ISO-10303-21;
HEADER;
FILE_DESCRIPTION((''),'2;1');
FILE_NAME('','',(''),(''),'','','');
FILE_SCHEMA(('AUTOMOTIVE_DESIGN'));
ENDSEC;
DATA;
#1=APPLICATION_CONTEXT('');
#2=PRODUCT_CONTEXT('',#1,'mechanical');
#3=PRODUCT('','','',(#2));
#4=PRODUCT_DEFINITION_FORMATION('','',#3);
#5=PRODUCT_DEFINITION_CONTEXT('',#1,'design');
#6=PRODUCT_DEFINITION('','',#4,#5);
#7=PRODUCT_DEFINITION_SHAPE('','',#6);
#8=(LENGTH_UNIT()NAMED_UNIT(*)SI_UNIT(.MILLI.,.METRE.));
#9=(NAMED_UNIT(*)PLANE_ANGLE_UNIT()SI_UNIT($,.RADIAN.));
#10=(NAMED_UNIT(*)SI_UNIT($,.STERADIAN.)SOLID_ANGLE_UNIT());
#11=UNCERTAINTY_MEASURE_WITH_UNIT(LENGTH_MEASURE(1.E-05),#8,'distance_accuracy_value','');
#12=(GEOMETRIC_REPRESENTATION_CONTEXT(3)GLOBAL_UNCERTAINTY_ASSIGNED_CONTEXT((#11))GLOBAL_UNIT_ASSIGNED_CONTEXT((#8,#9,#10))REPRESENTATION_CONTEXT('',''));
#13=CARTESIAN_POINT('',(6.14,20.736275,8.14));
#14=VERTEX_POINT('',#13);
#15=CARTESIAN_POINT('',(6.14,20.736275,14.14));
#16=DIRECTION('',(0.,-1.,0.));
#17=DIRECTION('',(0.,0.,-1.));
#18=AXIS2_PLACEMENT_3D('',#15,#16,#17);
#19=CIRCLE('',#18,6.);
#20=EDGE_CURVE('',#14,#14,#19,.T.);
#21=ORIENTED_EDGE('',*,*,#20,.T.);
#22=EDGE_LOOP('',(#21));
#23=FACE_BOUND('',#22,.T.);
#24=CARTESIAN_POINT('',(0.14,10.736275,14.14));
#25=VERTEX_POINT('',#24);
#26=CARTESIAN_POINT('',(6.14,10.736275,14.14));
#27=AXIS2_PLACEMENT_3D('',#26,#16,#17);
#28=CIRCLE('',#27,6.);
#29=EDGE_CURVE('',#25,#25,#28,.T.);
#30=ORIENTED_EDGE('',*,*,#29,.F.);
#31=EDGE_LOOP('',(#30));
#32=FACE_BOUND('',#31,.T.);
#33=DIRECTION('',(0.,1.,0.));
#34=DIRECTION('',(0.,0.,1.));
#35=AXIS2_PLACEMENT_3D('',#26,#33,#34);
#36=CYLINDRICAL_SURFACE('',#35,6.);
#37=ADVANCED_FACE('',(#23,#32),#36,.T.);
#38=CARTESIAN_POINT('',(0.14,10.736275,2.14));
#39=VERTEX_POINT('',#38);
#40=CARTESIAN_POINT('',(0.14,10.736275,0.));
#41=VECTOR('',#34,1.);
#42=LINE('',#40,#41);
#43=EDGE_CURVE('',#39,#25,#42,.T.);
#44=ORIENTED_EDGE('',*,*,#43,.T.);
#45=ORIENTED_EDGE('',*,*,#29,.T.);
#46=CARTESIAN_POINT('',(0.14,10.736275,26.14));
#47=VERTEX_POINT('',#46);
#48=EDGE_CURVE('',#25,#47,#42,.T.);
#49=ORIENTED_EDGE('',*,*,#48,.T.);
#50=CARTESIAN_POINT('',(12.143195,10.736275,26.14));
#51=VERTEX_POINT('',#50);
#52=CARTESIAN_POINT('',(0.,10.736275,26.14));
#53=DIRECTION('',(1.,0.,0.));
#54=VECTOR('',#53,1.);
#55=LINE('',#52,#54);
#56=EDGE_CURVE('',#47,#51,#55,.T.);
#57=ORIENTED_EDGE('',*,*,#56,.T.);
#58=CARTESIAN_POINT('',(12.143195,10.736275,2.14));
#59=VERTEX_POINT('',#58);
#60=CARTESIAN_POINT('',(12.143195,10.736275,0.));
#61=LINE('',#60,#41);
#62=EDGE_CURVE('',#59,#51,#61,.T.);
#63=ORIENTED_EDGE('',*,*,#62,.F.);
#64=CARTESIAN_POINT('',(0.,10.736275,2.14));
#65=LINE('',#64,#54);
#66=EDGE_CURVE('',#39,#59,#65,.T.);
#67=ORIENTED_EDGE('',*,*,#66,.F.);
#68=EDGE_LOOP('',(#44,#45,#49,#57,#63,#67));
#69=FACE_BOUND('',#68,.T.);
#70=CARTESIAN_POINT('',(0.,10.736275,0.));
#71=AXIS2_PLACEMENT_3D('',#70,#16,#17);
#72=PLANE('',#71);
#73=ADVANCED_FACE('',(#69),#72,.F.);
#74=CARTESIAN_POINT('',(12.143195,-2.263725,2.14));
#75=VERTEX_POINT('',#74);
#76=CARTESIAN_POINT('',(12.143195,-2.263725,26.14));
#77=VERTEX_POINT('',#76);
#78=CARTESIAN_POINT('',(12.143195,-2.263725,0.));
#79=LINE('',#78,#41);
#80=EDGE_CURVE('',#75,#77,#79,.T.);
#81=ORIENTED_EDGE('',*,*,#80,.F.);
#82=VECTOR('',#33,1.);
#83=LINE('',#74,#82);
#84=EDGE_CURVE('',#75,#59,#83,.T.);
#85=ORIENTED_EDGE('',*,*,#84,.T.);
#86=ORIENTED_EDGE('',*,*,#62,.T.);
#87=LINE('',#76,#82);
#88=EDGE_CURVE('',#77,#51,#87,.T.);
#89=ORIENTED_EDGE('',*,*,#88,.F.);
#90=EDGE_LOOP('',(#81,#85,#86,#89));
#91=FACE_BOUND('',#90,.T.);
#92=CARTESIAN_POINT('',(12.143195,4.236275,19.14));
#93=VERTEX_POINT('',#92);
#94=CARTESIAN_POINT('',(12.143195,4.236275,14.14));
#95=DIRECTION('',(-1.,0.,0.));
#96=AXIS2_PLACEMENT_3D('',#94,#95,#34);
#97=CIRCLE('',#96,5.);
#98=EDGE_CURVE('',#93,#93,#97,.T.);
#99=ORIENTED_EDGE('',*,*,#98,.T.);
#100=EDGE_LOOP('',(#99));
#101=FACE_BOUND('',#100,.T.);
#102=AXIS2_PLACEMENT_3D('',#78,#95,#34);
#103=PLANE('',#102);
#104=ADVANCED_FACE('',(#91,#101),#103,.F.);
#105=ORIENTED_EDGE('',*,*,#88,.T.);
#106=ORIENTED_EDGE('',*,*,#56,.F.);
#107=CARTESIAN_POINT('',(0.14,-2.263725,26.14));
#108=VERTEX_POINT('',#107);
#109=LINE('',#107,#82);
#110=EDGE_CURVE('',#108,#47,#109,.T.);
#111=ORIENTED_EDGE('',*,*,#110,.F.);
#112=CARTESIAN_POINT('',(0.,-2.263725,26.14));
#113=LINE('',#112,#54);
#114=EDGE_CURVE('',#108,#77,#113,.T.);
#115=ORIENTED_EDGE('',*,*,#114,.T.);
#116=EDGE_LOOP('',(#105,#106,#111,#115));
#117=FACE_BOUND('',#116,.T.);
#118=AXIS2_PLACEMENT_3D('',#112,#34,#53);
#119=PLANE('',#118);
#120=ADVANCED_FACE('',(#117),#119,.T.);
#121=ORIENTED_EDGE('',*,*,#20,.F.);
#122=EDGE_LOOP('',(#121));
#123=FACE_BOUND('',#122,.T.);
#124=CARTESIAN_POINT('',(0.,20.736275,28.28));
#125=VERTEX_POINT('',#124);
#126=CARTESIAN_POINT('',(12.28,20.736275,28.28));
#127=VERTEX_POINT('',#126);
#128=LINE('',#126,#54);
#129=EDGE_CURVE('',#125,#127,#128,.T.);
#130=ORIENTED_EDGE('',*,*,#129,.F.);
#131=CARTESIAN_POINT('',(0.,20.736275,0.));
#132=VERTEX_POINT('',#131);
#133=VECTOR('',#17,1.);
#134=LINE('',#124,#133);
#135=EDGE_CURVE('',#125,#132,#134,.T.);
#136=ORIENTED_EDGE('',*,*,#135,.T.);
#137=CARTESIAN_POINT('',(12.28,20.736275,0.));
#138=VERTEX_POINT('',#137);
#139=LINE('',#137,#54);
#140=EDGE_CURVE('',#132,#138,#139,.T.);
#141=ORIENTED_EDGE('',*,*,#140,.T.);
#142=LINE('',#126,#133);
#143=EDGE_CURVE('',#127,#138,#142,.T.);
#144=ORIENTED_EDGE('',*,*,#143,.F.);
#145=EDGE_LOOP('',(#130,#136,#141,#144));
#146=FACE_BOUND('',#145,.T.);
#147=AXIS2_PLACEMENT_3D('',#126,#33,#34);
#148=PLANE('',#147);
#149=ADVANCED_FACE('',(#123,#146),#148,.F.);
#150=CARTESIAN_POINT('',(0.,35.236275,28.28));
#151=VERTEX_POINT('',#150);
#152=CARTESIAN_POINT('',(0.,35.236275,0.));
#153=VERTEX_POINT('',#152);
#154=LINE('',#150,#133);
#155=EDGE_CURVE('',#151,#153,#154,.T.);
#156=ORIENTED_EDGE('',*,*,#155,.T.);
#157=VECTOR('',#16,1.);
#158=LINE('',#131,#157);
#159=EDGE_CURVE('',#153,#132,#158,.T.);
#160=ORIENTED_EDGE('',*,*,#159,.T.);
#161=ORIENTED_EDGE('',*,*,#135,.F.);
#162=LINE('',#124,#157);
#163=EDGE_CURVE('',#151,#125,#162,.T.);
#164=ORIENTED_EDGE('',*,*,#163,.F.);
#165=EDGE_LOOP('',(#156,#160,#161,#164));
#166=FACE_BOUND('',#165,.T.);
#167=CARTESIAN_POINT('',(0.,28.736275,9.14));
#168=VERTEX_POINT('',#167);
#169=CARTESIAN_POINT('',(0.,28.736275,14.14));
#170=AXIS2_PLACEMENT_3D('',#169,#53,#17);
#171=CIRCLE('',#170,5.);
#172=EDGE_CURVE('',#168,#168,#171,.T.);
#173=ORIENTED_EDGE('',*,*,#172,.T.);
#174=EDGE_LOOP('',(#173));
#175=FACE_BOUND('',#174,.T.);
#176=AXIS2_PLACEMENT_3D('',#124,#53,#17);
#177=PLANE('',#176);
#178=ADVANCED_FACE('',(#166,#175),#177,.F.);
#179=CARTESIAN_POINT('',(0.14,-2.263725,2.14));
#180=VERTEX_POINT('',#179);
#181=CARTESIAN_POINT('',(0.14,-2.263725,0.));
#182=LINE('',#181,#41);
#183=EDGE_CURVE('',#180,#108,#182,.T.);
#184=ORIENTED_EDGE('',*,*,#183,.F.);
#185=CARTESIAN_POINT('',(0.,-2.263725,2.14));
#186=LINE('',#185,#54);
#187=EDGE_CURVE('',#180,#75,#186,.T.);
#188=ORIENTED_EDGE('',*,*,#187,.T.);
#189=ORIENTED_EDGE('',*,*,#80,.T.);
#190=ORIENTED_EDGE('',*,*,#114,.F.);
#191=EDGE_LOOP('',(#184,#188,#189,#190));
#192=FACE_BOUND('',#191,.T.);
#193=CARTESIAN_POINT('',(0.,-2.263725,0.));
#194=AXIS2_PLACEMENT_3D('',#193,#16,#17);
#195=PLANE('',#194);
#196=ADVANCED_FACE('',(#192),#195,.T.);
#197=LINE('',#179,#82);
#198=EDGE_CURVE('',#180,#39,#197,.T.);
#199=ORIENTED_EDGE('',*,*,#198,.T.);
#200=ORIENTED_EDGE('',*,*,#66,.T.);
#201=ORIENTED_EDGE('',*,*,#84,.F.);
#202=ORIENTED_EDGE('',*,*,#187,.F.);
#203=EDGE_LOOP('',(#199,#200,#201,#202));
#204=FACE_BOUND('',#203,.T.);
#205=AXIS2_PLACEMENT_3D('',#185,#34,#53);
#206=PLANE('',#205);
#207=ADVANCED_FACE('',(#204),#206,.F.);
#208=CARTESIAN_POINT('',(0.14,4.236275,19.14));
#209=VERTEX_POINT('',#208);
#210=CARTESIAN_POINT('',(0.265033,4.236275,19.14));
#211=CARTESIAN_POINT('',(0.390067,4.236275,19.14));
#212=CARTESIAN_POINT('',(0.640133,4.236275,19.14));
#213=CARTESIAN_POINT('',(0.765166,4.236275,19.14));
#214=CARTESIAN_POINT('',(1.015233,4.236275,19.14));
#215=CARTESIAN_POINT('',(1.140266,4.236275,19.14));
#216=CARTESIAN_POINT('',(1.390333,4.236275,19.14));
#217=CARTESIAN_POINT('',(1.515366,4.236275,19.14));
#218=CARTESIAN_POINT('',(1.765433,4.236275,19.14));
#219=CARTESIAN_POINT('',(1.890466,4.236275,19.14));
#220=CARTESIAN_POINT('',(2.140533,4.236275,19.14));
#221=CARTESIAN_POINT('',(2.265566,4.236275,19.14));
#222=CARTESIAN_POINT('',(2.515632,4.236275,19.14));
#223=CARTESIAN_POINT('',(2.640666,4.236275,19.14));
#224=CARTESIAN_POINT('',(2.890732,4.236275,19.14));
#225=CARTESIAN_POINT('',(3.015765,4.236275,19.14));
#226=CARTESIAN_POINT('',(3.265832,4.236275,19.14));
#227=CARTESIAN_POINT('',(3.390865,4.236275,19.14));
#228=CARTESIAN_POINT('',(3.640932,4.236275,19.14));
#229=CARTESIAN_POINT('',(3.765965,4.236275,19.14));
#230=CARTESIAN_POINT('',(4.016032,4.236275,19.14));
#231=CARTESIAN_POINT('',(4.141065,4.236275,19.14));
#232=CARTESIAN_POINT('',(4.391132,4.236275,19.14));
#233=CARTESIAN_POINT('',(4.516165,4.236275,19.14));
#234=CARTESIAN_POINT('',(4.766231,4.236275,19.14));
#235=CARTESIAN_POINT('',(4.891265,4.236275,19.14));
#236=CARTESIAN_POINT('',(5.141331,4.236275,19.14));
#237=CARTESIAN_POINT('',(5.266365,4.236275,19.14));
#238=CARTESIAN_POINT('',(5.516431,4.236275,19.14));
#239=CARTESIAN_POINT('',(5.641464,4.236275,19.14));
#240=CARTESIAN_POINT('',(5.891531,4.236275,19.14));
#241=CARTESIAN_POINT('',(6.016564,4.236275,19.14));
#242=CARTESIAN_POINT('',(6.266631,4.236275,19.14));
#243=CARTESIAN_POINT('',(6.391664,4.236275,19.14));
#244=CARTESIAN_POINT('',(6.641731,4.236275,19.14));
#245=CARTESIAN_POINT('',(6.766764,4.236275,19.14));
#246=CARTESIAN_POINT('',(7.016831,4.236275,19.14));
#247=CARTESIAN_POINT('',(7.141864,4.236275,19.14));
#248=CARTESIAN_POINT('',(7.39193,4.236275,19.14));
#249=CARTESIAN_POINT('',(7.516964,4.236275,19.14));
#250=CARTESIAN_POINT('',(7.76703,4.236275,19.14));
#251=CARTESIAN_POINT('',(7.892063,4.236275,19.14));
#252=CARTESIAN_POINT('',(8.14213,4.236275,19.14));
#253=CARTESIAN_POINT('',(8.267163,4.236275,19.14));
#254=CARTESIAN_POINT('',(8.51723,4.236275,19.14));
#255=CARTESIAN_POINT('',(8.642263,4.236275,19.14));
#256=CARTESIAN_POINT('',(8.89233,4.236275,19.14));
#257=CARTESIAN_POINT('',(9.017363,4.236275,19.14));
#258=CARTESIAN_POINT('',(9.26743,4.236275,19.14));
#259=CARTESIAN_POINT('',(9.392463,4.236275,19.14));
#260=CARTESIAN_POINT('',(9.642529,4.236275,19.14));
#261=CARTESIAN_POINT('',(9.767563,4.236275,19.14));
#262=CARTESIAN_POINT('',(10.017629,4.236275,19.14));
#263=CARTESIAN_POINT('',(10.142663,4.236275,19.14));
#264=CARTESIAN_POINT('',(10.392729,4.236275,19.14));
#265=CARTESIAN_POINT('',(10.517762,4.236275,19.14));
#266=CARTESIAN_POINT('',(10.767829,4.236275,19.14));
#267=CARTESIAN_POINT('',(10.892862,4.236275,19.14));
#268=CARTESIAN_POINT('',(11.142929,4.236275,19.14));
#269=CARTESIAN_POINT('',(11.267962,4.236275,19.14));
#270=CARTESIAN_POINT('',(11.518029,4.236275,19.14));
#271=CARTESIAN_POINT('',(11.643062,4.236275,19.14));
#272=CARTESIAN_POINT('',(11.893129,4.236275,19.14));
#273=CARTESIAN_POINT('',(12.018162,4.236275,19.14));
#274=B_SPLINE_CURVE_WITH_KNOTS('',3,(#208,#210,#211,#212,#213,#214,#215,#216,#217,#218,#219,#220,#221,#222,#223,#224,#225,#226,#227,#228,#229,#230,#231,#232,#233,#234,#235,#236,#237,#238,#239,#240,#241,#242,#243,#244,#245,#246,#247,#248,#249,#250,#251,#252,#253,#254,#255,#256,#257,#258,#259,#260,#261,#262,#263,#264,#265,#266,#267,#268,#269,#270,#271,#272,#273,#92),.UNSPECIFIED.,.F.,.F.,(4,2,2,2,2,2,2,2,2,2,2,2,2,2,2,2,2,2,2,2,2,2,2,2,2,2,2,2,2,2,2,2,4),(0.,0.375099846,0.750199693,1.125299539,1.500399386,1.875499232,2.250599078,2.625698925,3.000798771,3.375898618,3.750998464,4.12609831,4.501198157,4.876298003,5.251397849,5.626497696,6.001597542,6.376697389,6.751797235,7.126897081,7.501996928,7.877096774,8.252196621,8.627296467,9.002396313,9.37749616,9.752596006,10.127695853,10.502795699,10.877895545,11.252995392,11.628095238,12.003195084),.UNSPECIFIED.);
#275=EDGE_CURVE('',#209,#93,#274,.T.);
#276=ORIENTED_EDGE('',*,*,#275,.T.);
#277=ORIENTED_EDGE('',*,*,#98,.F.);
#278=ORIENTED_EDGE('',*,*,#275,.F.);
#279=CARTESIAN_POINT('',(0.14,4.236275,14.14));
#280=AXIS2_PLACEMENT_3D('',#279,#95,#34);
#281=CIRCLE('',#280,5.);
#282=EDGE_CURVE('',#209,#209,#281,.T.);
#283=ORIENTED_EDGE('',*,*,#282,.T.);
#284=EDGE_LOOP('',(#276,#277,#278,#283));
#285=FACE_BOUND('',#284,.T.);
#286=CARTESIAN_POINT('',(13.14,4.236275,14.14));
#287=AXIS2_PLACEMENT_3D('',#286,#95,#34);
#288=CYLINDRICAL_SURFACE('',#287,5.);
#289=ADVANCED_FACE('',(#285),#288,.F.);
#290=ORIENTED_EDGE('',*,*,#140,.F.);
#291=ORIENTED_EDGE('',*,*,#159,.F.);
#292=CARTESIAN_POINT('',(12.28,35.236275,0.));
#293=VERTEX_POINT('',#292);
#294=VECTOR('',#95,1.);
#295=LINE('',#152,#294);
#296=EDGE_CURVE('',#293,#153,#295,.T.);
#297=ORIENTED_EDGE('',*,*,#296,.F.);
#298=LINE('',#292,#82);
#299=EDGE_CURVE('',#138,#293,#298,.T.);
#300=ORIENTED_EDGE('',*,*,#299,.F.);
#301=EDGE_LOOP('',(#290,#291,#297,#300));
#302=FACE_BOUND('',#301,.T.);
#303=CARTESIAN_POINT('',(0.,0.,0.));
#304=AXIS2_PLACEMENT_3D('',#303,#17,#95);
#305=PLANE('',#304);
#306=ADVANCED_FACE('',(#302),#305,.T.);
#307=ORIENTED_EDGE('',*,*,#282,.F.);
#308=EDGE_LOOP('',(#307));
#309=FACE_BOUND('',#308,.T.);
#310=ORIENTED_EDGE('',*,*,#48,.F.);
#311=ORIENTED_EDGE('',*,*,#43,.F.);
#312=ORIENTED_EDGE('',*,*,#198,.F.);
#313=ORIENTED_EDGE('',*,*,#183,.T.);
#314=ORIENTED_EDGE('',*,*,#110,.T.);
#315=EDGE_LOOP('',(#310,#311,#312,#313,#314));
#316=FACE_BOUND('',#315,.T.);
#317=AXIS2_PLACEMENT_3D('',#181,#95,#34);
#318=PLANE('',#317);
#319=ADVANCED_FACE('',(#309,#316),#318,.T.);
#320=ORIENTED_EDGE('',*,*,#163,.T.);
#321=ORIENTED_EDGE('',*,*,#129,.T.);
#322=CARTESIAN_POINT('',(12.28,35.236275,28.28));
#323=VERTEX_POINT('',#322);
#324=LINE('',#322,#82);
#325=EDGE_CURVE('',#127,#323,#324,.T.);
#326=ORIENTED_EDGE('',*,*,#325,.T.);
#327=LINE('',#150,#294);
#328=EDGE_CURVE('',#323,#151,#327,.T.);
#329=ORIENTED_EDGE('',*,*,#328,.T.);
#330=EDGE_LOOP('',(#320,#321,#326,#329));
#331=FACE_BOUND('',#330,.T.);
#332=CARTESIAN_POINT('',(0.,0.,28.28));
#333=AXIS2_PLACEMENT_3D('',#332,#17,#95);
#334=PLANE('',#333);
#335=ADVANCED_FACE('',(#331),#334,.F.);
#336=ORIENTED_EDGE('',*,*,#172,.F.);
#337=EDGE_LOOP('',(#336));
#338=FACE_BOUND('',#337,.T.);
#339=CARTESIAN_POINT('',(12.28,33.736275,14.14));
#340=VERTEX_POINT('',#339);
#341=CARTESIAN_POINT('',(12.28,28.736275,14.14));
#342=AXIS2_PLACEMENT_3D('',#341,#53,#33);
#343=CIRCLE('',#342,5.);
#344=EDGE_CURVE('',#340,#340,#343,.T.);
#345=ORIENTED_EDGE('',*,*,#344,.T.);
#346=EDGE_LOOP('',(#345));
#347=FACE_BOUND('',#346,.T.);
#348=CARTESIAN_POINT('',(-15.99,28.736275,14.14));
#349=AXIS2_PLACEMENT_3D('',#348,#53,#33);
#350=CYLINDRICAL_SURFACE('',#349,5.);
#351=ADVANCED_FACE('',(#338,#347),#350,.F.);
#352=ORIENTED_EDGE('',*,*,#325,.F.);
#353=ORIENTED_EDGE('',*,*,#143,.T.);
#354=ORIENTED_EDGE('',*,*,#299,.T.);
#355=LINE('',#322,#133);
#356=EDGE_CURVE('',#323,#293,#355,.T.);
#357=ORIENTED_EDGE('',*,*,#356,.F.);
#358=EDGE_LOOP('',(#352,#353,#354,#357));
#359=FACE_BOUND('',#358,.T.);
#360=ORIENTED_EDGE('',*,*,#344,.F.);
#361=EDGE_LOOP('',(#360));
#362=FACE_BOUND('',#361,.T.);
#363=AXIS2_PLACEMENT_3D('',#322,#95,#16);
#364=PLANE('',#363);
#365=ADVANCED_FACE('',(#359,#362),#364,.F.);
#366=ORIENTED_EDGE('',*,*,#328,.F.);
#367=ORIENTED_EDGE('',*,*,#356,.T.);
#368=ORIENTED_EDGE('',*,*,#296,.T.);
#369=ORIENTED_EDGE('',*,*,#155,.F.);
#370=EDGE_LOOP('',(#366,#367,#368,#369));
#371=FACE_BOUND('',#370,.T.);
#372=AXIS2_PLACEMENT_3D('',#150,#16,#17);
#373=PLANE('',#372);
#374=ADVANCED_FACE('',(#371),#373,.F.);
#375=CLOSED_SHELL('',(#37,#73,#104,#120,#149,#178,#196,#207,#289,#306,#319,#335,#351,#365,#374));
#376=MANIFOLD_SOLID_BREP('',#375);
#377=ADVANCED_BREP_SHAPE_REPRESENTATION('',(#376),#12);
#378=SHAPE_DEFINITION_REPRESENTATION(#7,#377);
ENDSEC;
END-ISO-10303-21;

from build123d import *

# Parameters (mm, degrees)
SKETCH1_W           = 12.28
SKETCH1_H           = 14.5
BOSS_EXTRUDE1_DEPTH = 28.28
SKETCH2_R           = 5
CUT_EXTRUDE1_DEPTH  = 28.27
SKETCH3_R           = 6
BOSS_EXTRUDE2_DEPTH = 10
SKETCH4_R           = 6
BOSS_EXTRUDE3_DEPTH = 13
SKETCH5_R           = 5
CUT_EXTRUDE2_DEPTH  = 13


with BuildPart() as part:
    # Sketch1 → Boss-Extrude1 (new body)
    with BuildSketch(Plane.XY):
        with Locations((6.14, 27.98627451)):
            Rectangle(SKETCH1_W, SKETCH1_H)
    extrude(amount=BOSS_EXTRUDE1_DEPTH)

    # Sketch2 → Cut-Extrude1 (cut)
    with BuildSketch(Plane(origin=(12.28, 0, 0), x_dir=(0, 0, -1), z_dir=(1, 0, 0))):
        with Locations(Location((-14.14, 28.73627451, 0), (0, 0, 90))):
            Circle(SKETCH2_R)
    extrude(amount=-CUT_EXTRUDE1_DEPTH, mode=Mode.SUBTRACT)

    # Sketch3 → Boss-Extrude2 (add)
    with BuildSketch(Plane.XZ.offset(-20.73627451)):
        with Locations(Location((6.14, 14.14, 0), (0, 0, 270))):
            Circle(SKETCH3_R)
    extrude(amount=BOSS_EXTRUDE2_DEPTH)

    # Sketch4 → Boss-Extrude3 (add)
    # profile 1 of 2: a face of its own
    with BuildSketch(Plane.XZ.offset(-10.73627451)):
        Polygon((0.14, 26.14), (2.09119792, 26.14), (12.143195084, 26.14), (12.143195084, 2.14), (0.14, 2.14), (0.14, 14.14), align=None)
        with Locations(Location((6.14, 14.14, 0), (0, 0, 180))):
            Circle(SKETCH4_R, mode=Mode.SUBTRACT)
    # profile 2 of 2: a face of its own
    with BuildSketch(Plane.XZ.offset(-10.73627451)):
        with Locations(Location((6.14, 14.14, 0), (0, 0, 180))):
            Circle(SKETCH4_R)
    extrude(amount=BOSS_EXTRUDE3_DEPTH)

    # Sketch5 → Cut-Extrude2 (cut)
    with BuildSketch(Plane.ZY.offset(-0.14)):
        with Locations((14.14, 4.23627451)):
            Circle(SKETCH5_R)
    extrude(amount=-CUT_EXTRUDE2_DEPTH, mode=Mode.SUBTRACT)


solid = part.part
